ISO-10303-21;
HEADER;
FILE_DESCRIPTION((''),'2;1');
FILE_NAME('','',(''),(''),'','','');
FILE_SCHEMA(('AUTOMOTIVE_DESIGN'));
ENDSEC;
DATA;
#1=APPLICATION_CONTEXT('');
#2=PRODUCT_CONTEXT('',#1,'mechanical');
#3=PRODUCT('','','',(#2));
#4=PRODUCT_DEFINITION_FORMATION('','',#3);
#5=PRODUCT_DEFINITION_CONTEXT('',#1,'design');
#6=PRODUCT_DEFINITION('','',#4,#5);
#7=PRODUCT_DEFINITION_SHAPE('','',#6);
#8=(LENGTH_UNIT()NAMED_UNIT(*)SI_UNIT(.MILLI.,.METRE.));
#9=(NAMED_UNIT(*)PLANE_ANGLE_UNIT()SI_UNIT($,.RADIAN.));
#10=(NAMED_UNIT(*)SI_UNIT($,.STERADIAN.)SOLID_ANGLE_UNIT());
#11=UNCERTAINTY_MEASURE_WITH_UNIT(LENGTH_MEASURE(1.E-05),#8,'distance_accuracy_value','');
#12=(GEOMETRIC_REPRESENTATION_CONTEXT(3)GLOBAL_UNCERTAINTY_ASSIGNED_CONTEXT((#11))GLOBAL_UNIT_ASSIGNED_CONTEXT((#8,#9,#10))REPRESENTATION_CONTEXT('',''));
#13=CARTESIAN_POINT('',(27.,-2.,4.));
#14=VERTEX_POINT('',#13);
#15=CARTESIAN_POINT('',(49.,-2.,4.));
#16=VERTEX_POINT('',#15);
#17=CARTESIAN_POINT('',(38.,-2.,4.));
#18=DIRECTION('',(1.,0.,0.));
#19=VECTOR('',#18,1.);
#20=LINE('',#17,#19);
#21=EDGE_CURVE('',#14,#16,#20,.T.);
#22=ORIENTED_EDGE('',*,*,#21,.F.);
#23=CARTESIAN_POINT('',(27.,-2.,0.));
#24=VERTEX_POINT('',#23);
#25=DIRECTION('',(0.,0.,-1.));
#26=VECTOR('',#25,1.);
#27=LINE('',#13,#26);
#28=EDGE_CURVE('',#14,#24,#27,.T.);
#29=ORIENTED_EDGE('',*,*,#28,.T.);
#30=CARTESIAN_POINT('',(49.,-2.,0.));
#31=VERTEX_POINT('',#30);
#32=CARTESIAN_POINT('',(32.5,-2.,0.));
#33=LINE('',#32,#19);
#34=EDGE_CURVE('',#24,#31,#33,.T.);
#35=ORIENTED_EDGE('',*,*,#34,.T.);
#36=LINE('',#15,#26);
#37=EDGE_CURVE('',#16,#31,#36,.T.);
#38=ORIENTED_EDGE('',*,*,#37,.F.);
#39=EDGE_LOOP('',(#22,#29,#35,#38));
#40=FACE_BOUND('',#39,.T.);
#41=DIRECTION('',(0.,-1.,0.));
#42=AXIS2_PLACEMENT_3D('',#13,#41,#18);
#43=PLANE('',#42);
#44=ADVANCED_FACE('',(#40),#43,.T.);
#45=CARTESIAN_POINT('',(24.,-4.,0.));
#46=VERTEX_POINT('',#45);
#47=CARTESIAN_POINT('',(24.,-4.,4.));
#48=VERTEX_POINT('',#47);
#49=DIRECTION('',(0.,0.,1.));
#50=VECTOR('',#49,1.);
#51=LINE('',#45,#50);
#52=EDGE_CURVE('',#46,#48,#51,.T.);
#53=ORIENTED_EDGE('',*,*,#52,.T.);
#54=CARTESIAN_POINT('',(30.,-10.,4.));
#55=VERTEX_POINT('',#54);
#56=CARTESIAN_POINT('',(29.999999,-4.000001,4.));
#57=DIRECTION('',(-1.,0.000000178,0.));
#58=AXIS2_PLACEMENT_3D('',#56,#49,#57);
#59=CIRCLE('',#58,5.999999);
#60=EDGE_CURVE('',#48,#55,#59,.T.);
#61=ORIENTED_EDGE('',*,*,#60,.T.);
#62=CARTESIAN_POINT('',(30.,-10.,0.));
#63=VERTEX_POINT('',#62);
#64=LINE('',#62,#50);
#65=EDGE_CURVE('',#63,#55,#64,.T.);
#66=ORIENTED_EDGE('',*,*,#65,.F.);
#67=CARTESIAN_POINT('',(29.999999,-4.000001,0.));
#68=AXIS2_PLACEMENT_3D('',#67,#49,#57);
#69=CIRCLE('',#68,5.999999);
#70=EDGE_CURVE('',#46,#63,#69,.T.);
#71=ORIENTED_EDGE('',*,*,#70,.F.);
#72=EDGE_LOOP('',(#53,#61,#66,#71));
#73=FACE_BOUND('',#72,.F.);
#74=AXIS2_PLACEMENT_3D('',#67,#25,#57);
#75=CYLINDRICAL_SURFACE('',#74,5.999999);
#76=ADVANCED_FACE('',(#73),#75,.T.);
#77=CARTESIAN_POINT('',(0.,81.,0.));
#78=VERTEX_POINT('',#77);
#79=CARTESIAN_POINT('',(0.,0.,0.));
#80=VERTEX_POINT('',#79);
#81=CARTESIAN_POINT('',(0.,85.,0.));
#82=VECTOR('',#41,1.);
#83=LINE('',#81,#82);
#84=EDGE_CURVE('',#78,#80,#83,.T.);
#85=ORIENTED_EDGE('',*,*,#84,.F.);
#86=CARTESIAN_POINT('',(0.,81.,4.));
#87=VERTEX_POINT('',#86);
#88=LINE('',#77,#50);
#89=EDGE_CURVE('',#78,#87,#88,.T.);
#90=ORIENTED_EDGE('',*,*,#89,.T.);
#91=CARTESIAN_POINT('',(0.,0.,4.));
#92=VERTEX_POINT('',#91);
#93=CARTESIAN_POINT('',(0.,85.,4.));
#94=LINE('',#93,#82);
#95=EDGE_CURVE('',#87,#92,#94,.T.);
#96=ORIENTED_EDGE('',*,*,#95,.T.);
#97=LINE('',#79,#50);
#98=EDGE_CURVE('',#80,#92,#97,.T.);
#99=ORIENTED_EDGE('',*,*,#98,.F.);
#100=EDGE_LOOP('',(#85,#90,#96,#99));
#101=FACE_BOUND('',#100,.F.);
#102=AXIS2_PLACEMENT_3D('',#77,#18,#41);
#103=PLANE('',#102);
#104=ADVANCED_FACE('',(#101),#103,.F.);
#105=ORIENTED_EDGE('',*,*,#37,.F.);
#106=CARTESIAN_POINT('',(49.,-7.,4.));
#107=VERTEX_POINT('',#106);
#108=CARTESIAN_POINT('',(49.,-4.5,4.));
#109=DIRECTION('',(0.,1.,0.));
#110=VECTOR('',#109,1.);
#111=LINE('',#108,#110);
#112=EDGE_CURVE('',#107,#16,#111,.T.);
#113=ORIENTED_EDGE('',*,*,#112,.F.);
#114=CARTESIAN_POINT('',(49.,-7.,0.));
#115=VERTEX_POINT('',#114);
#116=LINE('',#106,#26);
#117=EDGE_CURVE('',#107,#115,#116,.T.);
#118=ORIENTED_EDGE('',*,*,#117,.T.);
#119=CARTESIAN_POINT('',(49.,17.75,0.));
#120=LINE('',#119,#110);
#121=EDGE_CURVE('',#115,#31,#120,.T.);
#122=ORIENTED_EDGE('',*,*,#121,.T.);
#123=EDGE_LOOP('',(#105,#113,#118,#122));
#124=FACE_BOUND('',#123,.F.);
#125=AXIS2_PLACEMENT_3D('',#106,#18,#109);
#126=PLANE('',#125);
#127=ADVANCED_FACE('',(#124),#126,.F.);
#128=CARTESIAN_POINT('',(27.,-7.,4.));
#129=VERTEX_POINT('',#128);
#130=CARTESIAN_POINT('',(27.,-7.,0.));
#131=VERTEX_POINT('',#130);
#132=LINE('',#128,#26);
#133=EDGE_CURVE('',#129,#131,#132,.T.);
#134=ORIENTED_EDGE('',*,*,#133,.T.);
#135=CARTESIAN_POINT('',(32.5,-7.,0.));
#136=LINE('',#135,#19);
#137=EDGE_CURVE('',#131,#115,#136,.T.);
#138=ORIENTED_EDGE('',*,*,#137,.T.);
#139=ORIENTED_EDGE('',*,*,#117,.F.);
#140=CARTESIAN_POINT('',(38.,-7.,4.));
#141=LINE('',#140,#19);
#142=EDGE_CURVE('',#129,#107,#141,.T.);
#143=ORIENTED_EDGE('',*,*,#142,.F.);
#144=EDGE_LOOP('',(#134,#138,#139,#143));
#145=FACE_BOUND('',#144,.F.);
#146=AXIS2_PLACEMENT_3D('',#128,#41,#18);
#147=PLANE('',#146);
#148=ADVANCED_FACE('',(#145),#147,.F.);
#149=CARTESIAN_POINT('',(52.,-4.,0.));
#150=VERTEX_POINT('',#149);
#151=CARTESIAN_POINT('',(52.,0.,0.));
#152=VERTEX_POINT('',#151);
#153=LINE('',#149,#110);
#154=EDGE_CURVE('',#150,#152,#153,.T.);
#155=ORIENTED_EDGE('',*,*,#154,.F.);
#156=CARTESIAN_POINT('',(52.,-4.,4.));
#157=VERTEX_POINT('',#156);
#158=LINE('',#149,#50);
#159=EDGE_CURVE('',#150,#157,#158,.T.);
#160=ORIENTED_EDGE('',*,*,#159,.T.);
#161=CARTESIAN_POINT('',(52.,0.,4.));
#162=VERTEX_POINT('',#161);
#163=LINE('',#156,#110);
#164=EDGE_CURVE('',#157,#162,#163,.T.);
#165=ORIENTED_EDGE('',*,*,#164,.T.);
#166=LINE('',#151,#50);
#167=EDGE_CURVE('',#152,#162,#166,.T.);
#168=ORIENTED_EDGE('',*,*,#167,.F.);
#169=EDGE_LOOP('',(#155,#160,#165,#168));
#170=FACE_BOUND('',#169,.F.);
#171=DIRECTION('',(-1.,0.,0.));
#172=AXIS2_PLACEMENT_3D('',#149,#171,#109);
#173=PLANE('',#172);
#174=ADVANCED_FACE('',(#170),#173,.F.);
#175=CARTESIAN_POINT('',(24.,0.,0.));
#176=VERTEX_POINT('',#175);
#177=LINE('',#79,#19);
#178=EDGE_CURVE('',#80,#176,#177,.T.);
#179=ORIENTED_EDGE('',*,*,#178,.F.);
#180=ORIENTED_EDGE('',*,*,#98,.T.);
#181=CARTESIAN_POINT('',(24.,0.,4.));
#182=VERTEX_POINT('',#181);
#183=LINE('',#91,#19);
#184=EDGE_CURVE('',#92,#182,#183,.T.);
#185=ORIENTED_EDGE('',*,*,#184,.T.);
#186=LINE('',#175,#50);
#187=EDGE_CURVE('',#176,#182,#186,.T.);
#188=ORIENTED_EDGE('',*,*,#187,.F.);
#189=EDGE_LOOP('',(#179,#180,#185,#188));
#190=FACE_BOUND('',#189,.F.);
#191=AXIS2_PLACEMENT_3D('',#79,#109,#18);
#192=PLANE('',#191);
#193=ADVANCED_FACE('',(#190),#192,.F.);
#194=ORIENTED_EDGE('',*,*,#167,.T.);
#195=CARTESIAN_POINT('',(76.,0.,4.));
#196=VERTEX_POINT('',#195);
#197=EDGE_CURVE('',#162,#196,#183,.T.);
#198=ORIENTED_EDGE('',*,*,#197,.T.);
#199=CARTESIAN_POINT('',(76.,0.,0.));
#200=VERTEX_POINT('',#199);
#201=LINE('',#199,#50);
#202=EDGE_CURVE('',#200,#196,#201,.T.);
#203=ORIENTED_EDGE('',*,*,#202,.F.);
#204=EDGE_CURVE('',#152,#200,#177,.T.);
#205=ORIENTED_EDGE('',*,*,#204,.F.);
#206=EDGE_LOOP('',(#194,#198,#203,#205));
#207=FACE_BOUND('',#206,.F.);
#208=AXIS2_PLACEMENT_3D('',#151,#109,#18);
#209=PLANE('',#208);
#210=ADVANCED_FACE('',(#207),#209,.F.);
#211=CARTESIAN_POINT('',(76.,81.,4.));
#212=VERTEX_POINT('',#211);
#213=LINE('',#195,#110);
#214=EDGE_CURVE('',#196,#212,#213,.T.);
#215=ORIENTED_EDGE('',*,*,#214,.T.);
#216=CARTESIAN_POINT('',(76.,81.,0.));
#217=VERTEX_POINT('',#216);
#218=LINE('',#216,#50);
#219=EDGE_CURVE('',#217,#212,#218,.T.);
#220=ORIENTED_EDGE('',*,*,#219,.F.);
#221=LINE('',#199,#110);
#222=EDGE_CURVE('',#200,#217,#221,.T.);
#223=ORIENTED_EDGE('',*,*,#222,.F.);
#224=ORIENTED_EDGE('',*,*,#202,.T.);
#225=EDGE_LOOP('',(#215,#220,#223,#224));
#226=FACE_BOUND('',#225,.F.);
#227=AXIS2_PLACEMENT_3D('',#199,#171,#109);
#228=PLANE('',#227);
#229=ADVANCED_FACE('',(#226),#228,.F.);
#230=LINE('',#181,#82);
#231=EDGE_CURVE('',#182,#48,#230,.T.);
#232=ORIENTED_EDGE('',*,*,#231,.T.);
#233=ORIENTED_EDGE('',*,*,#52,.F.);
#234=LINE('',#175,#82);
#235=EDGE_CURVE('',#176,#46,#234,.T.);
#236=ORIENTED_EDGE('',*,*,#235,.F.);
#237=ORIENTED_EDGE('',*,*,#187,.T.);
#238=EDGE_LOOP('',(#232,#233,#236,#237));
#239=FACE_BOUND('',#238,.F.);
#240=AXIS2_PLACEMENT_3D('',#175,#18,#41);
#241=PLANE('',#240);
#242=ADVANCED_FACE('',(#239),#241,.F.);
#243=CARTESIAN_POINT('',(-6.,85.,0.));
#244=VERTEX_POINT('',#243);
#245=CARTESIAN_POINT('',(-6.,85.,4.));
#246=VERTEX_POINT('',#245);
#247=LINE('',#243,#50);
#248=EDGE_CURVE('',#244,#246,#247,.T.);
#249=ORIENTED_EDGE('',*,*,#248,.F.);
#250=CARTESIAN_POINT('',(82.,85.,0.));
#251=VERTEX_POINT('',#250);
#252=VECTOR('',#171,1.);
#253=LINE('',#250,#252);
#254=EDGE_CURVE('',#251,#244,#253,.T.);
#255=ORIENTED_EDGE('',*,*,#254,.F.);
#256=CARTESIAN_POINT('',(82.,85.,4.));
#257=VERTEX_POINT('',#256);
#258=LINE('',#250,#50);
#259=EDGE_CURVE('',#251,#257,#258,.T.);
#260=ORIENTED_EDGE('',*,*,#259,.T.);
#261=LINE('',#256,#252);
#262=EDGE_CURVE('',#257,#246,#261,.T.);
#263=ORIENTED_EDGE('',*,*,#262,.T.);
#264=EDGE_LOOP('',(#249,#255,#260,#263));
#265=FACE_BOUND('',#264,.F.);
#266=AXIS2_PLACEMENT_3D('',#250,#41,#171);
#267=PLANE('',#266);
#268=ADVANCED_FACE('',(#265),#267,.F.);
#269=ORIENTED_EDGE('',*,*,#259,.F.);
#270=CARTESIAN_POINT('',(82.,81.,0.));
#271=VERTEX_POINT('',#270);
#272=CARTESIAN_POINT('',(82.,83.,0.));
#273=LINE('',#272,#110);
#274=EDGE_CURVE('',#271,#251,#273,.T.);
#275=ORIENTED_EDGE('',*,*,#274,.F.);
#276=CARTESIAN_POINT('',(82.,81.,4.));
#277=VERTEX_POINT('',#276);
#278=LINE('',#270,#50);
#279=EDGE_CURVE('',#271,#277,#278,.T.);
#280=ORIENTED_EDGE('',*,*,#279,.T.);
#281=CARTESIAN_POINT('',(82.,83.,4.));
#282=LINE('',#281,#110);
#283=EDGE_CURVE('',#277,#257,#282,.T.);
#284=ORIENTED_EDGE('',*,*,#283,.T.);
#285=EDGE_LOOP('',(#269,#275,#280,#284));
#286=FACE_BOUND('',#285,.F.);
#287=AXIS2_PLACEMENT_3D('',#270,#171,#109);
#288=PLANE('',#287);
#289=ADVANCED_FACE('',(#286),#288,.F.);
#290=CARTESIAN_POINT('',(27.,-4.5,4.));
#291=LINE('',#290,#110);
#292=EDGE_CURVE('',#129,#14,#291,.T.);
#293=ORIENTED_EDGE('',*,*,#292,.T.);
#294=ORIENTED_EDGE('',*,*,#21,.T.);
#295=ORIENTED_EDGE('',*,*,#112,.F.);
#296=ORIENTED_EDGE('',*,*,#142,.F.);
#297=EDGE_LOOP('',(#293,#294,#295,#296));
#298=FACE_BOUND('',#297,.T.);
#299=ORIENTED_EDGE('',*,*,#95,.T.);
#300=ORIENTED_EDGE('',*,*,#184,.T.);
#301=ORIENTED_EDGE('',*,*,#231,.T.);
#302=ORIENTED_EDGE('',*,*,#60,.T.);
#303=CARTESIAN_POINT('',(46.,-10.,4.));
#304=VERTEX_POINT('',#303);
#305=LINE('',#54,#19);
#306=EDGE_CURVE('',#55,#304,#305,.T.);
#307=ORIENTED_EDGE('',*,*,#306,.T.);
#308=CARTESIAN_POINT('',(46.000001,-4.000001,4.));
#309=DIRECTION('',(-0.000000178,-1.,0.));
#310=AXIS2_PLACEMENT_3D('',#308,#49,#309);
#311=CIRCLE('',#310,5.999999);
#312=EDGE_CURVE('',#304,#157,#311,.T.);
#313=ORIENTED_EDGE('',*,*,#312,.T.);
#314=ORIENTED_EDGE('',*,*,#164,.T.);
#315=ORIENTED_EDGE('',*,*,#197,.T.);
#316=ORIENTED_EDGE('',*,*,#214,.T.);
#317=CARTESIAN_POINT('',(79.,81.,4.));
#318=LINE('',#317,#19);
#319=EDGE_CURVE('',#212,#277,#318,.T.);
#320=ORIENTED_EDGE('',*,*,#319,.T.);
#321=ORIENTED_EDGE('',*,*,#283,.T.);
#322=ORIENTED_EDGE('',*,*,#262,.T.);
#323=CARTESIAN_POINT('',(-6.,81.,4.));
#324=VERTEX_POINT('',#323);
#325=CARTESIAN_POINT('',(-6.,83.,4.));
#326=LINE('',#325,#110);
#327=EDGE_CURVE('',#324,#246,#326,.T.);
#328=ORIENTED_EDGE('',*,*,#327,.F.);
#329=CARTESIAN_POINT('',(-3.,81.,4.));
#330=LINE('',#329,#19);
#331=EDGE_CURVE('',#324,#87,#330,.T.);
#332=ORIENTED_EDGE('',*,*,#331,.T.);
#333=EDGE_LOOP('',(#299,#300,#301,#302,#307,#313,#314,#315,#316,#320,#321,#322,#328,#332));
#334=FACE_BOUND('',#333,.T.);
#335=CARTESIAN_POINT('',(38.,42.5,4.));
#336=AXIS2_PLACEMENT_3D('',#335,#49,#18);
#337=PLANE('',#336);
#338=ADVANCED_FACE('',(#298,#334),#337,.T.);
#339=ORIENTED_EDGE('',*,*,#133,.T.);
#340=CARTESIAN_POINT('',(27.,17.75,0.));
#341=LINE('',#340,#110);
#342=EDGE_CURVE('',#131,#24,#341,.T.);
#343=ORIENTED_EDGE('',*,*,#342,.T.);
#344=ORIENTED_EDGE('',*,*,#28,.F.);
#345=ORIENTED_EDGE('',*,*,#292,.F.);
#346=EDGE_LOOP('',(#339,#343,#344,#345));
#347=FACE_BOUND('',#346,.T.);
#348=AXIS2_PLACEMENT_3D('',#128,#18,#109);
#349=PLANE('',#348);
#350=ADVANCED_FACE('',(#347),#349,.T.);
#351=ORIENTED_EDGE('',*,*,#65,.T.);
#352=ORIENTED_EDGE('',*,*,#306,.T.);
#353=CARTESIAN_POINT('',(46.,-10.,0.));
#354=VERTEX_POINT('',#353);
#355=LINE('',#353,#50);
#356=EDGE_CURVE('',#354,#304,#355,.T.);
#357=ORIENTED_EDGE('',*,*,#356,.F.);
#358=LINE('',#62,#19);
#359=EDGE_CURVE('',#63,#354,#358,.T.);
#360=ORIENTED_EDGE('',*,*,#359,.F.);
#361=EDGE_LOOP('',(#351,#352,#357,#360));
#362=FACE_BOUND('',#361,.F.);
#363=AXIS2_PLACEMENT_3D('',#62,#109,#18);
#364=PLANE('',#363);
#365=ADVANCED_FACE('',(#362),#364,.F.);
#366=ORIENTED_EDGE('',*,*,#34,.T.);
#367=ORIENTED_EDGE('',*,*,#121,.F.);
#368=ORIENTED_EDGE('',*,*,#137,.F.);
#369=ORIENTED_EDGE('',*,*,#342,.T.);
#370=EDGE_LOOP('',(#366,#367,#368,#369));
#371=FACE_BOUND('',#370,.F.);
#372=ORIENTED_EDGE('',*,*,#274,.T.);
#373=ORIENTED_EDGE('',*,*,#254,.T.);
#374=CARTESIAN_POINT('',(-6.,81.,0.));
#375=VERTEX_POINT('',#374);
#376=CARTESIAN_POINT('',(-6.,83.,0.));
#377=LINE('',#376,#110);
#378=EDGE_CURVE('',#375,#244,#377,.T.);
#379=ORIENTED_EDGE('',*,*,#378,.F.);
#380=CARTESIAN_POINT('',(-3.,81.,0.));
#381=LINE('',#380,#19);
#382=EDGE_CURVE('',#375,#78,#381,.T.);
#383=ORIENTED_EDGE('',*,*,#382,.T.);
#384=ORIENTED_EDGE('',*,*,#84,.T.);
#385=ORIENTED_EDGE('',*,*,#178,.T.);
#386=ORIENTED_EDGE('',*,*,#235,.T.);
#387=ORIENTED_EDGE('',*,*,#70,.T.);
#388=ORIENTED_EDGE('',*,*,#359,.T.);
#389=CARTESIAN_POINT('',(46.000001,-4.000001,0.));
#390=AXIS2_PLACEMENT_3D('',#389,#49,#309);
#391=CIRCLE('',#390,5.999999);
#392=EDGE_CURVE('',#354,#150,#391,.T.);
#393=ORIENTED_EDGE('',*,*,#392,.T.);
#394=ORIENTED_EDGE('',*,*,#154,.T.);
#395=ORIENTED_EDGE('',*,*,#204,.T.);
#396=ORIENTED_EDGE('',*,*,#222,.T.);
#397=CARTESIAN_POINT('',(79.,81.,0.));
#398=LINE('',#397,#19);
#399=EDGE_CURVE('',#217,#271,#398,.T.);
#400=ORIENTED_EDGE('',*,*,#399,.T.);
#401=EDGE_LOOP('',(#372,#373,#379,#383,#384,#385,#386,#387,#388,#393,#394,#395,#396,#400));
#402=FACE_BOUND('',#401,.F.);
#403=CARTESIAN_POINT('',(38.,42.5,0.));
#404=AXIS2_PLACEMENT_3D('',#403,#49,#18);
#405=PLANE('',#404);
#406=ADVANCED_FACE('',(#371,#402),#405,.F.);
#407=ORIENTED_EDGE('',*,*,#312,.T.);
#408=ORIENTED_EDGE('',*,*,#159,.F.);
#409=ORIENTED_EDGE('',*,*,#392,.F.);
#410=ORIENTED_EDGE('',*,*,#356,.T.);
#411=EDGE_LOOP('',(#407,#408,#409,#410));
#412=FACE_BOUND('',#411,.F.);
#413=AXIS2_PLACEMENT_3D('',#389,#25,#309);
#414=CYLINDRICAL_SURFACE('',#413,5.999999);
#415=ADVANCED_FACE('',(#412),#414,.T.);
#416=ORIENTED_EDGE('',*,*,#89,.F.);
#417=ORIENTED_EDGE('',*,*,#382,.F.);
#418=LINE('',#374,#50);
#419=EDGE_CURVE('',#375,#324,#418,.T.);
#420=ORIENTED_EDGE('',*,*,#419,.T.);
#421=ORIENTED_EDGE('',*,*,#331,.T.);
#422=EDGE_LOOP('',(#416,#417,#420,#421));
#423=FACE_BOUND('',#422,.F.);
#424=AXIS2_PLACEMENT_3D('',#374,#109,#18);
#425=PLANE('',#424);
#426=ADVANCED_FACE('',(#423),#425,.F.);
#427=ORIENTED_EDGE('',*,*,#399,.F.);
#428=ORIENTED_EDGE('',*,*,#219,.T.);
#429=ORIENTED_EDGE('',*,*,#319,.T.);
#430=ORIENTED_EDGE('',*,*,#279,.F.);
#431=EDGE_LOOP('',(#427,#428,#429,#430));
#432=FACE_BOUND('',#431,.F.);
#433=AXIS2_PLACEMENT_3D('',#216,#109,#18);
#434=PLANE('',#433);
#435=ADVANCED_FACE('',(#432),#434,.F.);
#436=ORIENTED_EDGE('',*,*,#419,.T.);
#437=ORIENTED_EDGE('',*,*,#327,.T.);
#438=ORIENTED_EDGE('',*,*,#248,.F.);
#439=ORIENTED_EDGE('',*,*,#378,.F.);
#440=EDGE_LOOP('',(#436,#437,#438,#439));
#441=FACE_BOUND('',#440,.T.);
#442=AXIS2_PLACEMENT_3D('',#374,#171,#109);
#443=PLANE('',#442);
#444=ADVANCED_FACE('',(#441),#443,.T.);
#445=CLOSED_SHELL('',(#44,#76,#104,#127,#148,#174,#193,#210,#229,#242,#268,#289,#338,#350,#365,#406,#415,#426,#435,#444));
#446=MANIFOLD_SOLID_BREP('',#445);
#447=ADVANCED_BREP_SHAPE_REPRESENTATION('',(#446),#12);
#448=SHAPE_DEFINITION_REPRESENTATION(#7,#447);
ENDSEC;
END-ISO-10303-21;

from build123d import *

# Parameters (mm, degrees)
F0_W     = 6
F0_H     = 4
F1_DEPTH = 4
F2_W     = 22
F2_H     = 5
F3_DEPTH = 4.001


with BuildPart() as f1:
    # F0 (on Top) → F1 (new body)
    with BuildSketch(Plane.XY):
        Polygon((0, 81), (0, 0), (24, 0), (52, 0), (76, 0), (76, 81), (76, 85), (0, 85), align=None)
        with BuildLine():
            Line((52, 0), (24, 0))
            Line((24, 0), (24, -4))
            ThreePointArc((24, -4), (25.757359, -8.242641), (30, -10))
            Line((30, -10), (46, -10))
            ThreePointArc((46, -10), (50.242641, -8.242641), (52, -4))
            Line((52, -4), (52, 0))
        make_face()
        with Locations((-3, 83)):
            Rectangle(F0_W, F0_H)
        with Locations((79, 83)):
            Rectangle(F0_W, F0_H)
    extrude(amount=F1_DEPTH)

    # F2 (on face) → F3 (cut, through all)
    with BuildSketch(Plane.XY.offset(4)):
        with Locations((38, -4.5)):
            Rectangle(F2_W, F2_H)
    extrude(amount=-F3_DEPTH, mode=Mode.SUBTRACT)


solid = f1.part
